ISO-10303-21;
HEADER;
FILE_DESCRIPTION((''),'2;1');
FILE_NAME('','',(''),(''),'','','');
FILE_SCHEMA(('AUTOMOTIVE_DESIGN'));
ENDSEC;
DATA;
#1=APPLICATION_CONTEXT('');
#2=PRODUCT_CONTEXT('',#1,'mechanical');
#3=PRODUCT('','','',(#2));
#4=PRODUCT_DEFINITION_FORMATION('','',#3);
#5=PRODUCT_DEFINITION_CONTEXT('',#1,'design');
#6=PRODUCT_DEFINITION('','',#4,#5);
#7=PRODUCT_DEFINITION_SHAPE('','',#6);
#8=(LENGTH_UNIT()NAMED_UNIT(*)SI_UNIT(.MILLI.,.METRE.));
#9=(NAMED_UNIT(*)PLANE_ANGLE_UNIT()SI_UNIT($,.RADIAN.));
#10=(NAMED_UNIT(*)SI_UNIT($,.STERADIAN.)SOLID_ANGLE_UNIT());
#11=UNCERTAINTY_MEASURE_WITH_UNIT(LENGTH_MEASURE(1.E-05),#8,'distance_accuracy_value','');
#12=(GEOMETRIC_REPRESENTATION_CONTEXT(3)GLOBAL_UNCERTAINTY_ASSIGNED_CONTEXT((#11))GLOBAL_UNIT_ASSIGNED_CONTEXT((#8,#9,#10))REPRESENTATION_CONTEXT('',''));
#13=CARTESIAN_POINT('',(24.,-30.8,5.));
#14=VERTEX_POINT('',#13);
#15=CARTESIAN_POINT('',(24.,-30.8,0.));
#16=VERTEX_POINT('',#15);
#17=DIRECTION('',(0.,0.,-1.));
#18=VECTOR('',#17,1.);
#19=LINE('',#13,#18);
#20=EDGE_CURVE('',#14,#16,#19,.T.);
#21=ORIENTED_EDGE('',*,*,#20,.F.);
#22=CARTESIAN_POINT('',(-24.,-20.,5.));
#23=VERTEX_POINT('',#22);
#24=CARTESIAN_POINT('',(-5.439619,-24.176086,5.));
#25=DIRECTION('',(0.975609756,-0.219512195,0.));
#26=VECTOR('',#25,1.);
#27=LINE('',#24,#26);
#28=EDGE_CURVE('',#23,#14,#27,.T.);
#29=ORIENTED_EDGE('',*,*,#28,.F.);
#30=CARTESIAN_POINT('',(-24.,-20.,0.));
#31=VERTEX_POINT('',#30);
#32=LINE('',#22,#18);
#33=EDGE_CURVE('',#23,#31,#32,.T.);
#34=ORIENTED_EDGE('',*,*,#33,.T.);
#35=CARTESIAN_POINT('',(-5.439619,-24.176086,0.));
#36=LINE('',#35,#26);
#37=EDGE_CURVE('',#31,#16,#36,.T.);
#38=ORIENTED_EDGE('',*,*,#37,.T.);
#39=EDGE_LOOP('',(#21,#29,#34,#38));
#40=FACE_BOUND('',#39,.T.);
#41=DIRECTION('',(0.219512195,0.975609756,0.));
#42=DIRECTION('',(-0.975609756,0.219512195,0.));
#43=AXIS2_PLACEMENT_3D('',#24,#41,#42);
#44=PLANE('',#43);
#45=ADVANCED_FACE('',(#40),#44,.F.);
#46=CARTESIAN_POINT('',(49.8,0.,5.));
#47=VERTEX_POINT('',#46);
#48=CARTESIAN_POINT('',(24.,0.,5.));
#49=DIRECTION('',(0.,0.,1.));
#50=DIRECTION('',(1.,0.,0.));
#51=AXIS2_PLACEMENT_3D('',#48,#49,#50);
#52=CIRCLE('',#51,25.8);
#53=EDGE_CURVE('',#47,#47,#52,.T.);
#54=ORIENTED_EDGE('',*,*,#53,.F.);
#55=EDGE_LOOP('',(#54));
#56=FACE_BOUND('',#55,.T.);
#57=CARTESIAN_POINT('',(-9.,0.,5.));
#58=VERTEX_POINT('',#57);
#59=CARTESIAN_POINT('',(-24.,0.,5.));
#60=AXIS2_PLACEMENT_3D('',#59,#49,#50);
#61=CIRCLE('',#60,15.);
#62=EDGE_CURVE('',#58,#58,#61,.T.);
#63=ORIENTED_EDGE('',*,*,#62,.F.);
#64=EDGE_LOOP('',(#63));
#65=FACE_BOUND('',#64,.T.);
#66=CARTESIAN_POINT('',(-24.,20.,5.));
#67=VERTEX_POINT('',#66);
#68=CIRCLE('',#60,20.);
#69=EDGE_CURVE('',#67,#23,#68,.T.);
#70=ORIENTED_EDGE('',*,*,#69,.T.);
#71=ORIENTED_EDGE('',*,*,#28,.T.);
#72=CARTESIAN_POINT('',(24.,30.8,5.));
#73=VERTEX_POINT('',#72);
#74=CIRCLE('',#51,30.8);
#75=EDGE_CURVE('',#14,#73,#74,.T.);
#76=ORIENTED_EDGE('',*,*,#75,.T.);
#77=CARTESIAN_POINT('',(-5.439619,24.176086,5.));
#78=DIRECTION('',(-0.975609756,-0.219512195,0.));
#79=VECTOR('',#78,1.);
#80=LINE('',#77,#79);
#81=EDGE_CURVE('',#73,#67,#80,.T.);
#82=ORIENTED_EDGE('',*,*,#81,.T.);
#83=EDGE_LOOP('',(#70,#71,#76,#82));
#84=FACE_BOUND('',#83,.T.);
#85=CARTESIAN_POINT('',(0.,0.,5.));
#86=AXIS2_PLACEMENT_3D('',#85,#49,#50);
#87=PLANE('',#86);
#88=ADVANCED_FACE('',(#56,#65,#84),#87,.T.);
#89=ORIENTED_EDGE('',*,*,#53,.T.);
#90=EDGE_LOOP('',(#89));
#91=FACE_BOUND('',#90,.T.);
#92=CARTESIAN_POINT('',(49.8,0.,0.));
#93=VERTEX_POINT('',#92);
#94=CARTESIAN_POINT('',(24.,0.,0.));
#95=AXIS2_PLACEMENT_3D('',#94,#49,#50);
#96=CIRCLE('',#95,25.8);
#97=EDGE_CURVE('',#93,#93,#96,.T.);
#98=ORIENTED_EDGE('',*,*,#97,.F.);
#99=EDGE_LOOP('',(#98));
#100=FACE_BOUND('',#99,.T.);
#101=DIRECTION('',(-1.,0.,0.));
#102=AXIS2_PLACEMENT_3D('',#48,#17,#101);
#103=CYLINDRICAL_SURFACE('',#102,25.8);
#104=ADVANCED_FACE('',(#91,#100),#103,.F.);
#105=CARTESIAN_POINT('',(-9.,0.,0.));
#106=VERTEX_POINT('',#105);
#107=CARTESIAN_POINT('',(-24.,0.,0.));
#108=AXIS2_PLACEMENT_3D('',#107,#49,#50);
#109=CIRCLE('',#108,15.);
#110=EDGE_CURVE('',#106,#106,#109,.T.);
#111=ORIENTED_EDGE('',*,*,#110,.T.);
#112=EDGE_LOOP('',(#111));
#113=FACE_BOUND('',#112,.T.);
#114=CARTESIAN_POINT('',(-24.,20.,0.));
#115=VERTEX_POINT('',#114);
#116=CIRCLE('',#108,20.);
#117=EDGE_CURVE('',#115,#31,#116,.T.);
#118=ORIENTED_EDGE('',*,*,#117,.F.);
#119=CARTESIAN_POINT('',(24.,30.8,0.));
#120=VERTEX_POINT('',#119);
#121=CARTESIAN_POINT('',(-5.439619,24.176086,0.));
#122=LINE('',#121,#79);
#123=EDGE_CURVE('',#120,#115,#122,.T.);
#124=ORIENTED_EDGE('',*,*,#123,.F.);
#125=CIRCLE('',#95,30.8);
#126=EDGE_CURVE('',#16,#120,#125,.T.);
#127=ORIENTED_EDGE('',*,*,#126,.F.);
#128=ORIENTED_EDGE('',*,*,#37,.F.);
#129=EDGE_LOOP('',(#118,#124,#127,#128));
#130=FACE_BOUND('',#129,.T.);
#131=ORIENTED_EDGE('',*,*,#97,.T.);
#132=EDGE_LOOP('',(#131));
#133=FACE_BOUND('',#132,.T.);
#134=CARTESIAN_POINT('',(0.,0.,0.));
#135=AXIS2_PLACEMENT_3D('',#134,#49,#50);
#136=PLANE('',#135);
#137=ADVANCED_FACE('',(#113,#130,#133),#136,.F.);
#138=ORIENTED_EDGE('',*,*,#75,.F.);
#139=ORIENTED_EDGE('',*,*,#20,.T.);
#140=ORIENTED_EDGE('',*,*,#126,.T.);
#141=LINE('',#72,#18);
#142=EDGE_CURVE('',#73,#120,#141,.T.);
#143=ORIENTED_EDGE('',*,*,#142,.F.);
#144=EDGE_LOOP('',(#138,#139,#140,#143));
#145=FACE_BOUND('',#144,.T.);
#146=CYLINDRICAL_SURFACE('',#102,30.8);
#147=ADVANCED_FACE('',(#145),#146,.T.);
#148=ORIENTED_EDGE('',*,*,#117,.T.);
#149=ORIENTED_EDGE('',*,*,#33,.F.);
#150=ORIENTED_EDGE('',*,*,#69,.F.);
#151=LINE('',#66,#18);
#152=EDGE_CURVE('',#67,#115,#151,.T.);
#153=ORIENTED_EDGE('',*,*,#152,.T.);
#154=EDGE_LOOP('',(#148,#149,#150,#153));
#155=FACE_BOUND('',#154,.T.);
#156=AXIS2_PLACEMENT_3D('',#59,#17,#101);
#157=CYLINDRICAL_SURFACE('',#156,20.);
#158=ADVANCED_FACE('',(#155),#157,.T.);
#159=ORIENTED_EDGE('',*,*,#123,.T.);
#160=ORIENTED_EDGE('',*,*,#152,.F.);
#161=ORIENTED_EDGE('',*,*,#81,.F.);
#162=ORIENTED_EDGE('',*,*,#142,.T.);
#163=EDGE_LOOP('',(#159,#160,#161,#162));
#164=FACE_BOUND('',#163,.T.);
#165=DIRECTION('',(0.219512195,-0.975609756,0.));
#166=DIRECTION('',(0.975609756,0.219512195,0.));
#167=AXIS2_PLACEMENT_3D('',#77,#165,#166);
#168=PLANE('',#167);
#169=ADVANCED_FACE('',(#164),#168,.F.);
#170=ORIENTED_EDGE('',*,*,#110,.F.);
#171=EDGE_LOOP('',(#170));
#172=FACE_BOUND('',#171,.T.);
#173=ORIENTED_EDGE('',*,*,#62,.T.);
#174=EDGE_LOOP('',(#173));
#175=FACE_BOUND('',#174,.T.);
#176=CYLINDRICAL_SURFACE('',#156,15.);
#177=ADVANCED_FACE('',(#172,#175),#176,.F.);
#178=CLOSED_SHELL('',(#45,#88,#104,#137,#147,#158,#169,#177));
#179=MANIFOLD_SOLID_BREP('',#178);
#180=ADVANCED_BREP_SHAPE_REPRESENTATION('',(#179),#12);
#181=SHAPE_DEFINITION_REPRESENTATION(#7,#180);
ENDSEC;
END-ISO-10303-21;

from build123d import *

# Parameters (mm, degrees)
ESBO_O2_R                = 15
ESBO_O2_R_2              = 25.8
RESSALTO_EXTRUS_O1_DEPTH = 5


with BuildPart() as part:
    # Esboço2 → Ressalto-extrusão1 (new body)
    with BuildSketch(Plane.XY):
        with BuildLine():
            Line((24, 30.8), (-24, 20))
            ThreePointArc((-24, 20), (-44, 0), (-24, -20))
            Line((-24, -20), (24, -30.8))
            ThreePointArc((24, -30.8), (54.8, 0), (24, 30.8))
        make_face()
        with Locations((-24, 0)):
            Circle(ESBO_O2_R, mode=Mode.SUBTRACT)
        with Locations((24, 0)):
            Circle(ESBO_O2_R_2, mode=Mode.SUBTRACT)
    extrude(amount=RESSALTO_EXTRUS_O1_DEPTH)


solid = part.part
